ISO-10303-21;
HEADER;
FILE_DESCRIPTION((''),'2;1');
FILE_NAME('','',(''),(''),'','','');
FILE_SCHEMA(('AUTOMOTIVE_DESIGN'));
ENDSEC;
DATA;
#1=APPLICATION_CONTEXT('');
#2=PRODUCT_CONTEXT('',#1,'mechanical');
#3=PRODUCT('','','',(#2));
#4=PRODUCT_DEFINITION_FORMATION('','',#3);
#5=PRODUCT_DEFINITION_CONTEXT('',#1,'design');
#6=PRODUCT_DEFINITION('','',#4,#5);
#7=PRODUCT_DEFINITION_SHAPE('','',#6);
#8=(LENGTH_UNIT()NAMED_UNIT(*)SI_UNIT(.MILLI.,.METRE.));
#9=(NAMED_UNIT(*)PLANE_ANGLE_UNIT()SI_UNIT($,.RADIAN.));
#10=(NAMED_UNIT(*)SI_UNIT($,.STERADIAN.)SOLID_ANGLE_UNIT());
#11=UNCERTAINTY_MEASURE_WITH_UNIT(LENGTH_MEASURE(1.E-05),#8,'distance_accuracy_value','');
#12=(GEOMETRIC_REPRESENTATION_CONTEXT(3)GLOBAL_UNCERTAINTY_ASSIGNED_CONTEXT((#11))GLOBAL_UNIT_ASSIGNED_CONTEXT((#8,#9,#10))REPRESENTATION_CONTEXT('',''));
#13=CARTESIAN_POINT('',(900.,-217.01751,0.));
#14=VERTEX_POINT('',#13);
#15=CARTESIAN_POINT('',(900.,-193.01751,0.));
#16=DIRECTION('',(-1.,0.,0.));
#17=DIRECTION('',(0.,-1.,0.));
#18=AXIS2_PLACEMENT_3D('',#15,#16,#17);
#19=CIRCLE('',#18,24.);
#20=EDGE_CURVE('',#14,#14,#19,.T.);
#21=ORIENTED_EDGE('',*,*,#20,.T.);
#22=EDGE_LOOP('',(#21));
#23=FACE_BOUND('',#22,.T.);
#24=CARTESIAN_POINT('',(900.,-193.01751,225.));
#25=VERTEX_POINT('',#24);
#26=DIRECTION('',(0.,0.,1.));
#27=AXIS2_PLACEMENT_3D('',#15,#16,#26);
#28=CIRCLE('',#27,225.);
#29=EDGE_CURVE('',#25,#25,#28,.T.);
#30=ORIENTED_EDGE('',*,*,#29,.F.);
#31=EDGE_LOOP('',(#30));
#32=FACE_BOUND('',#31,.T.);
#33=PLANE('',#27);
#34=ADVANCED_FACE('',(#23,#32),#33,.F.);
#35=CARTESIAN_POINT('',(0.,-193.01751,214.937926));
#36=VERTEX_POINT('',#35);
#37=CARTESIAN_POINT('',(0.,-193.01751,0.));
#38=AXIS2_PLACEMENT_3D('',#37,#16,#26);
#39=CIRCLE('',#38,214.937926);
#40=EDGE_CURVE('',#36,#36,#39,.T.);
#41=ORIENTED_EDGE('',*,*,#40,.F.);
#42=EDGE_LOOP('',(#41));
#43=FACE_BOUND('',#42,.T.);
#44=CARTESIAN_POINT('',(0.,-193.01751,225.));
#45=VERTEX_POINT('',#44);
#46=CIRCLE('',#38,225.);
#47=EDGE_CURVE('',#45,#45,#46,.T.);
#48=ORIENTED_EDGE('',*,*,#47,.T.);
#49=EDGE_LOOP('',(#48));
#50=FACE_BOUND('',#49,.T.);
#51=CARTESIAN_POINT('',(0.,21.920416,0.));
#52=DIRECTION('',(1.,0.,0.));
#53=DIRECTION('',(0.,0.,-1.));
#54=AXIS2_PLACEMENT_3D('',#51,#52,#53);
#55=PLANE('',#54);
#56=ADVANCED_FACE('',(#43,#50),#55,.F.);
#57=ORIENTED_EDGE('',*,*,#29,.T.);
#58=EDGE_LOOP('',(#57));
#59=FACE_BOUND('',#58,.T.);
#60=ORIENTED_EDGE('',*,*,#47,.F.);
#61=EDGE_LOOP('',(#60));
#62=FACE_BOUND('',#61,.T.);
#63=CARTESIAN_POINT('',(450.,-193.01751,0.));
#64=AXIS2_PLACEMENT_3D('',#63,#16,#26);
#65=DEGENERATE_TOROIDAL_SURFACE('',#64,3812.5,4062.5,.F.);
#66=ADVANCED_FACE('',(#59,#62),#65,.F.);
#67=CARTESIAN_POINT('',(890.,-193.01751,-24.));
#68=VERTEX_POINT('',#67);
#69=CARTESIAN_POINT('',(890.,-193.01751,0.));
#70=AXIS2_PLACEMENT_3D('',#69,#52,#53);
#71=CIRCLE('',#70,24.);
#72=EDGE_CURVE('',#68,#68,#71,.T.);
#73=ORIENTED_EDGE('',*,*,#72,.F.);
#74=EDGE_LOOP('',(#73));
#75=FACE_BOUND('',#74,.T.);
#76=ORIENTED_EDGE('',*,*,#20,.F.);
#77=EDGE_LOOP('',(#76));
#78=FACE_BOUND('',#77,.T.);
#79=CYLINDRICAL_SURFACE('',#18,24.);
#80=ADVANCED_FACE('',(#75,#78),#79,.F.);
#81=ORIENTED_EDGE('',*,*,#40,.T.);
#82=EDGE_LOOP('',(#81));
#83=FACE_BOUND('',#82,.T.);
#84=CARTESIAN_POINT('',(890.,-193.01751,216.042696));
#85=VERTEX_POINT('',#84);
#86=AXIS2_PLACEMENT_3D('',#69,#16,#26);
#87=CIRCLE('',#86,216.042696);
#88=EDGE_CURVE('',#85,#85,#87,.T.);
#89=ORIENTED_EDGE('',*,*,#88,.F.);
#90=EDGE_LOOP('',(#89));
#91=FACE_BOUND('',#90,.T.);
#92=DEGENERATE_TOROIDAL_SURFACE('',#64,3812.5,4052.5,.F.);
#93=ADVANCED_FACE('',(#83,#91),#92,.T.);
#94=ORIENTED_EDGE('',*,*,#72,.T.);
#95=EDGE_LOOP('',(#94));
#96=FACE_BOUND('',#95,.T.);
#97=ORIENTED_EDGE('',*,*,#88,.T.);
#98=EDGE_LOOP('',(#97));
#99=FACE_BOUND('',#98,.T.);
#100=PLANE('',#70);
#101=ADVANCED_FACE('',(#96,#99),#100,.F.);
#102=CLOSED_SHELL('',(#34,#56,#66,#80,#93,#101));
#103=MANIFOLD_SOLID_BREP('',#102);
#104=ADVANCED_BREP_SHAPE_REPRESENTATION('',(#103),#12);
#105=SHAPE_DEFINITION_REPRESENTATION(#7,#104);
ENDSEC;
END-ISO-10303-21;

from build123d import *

# Parameters (mm, degrees)
SKETCH_2_R          = 24
CUT_EXTRUDE_1_DEPTH = 901.0000001


with BuildPart() as part:
    # Эскиз1 → Повернуть1 (revolve)
    with BuildSketch(Plane.XY):
        with BuildLine():
            Line((0, 21.920416175), (0, 31.9824899))
            ThreePointArc((0, 31.9824899), (450, 56.9824899), (900, 31.9824899))
            Line((900, 31.9824899), (900, -193.0175101))
            Line((900, -193.0175101), (890, -193.0175101))
            Line((890, -193.0175101), (890, 23.025185466))
            ThreePointArc((890, 23.025185466), (444.96957966, 46.979367736), (0, 21.920416175))
        make_face()
    revolve(axis=Axis((890, -193.0175101, 0), (1, 0, 0)))

    # Эскиз2 → Вырез-Вытянуть1 (cut, through all)
    with BuildSketch(Plane.ZY):
        with Locations((0, -193.0175101)):
            Circle(SKETCH_2_R)
    extrude(amount=-CUT_EXTRUDE_1_DEPTH, mode=Mode.SUBTRACT)


solid = part.part
